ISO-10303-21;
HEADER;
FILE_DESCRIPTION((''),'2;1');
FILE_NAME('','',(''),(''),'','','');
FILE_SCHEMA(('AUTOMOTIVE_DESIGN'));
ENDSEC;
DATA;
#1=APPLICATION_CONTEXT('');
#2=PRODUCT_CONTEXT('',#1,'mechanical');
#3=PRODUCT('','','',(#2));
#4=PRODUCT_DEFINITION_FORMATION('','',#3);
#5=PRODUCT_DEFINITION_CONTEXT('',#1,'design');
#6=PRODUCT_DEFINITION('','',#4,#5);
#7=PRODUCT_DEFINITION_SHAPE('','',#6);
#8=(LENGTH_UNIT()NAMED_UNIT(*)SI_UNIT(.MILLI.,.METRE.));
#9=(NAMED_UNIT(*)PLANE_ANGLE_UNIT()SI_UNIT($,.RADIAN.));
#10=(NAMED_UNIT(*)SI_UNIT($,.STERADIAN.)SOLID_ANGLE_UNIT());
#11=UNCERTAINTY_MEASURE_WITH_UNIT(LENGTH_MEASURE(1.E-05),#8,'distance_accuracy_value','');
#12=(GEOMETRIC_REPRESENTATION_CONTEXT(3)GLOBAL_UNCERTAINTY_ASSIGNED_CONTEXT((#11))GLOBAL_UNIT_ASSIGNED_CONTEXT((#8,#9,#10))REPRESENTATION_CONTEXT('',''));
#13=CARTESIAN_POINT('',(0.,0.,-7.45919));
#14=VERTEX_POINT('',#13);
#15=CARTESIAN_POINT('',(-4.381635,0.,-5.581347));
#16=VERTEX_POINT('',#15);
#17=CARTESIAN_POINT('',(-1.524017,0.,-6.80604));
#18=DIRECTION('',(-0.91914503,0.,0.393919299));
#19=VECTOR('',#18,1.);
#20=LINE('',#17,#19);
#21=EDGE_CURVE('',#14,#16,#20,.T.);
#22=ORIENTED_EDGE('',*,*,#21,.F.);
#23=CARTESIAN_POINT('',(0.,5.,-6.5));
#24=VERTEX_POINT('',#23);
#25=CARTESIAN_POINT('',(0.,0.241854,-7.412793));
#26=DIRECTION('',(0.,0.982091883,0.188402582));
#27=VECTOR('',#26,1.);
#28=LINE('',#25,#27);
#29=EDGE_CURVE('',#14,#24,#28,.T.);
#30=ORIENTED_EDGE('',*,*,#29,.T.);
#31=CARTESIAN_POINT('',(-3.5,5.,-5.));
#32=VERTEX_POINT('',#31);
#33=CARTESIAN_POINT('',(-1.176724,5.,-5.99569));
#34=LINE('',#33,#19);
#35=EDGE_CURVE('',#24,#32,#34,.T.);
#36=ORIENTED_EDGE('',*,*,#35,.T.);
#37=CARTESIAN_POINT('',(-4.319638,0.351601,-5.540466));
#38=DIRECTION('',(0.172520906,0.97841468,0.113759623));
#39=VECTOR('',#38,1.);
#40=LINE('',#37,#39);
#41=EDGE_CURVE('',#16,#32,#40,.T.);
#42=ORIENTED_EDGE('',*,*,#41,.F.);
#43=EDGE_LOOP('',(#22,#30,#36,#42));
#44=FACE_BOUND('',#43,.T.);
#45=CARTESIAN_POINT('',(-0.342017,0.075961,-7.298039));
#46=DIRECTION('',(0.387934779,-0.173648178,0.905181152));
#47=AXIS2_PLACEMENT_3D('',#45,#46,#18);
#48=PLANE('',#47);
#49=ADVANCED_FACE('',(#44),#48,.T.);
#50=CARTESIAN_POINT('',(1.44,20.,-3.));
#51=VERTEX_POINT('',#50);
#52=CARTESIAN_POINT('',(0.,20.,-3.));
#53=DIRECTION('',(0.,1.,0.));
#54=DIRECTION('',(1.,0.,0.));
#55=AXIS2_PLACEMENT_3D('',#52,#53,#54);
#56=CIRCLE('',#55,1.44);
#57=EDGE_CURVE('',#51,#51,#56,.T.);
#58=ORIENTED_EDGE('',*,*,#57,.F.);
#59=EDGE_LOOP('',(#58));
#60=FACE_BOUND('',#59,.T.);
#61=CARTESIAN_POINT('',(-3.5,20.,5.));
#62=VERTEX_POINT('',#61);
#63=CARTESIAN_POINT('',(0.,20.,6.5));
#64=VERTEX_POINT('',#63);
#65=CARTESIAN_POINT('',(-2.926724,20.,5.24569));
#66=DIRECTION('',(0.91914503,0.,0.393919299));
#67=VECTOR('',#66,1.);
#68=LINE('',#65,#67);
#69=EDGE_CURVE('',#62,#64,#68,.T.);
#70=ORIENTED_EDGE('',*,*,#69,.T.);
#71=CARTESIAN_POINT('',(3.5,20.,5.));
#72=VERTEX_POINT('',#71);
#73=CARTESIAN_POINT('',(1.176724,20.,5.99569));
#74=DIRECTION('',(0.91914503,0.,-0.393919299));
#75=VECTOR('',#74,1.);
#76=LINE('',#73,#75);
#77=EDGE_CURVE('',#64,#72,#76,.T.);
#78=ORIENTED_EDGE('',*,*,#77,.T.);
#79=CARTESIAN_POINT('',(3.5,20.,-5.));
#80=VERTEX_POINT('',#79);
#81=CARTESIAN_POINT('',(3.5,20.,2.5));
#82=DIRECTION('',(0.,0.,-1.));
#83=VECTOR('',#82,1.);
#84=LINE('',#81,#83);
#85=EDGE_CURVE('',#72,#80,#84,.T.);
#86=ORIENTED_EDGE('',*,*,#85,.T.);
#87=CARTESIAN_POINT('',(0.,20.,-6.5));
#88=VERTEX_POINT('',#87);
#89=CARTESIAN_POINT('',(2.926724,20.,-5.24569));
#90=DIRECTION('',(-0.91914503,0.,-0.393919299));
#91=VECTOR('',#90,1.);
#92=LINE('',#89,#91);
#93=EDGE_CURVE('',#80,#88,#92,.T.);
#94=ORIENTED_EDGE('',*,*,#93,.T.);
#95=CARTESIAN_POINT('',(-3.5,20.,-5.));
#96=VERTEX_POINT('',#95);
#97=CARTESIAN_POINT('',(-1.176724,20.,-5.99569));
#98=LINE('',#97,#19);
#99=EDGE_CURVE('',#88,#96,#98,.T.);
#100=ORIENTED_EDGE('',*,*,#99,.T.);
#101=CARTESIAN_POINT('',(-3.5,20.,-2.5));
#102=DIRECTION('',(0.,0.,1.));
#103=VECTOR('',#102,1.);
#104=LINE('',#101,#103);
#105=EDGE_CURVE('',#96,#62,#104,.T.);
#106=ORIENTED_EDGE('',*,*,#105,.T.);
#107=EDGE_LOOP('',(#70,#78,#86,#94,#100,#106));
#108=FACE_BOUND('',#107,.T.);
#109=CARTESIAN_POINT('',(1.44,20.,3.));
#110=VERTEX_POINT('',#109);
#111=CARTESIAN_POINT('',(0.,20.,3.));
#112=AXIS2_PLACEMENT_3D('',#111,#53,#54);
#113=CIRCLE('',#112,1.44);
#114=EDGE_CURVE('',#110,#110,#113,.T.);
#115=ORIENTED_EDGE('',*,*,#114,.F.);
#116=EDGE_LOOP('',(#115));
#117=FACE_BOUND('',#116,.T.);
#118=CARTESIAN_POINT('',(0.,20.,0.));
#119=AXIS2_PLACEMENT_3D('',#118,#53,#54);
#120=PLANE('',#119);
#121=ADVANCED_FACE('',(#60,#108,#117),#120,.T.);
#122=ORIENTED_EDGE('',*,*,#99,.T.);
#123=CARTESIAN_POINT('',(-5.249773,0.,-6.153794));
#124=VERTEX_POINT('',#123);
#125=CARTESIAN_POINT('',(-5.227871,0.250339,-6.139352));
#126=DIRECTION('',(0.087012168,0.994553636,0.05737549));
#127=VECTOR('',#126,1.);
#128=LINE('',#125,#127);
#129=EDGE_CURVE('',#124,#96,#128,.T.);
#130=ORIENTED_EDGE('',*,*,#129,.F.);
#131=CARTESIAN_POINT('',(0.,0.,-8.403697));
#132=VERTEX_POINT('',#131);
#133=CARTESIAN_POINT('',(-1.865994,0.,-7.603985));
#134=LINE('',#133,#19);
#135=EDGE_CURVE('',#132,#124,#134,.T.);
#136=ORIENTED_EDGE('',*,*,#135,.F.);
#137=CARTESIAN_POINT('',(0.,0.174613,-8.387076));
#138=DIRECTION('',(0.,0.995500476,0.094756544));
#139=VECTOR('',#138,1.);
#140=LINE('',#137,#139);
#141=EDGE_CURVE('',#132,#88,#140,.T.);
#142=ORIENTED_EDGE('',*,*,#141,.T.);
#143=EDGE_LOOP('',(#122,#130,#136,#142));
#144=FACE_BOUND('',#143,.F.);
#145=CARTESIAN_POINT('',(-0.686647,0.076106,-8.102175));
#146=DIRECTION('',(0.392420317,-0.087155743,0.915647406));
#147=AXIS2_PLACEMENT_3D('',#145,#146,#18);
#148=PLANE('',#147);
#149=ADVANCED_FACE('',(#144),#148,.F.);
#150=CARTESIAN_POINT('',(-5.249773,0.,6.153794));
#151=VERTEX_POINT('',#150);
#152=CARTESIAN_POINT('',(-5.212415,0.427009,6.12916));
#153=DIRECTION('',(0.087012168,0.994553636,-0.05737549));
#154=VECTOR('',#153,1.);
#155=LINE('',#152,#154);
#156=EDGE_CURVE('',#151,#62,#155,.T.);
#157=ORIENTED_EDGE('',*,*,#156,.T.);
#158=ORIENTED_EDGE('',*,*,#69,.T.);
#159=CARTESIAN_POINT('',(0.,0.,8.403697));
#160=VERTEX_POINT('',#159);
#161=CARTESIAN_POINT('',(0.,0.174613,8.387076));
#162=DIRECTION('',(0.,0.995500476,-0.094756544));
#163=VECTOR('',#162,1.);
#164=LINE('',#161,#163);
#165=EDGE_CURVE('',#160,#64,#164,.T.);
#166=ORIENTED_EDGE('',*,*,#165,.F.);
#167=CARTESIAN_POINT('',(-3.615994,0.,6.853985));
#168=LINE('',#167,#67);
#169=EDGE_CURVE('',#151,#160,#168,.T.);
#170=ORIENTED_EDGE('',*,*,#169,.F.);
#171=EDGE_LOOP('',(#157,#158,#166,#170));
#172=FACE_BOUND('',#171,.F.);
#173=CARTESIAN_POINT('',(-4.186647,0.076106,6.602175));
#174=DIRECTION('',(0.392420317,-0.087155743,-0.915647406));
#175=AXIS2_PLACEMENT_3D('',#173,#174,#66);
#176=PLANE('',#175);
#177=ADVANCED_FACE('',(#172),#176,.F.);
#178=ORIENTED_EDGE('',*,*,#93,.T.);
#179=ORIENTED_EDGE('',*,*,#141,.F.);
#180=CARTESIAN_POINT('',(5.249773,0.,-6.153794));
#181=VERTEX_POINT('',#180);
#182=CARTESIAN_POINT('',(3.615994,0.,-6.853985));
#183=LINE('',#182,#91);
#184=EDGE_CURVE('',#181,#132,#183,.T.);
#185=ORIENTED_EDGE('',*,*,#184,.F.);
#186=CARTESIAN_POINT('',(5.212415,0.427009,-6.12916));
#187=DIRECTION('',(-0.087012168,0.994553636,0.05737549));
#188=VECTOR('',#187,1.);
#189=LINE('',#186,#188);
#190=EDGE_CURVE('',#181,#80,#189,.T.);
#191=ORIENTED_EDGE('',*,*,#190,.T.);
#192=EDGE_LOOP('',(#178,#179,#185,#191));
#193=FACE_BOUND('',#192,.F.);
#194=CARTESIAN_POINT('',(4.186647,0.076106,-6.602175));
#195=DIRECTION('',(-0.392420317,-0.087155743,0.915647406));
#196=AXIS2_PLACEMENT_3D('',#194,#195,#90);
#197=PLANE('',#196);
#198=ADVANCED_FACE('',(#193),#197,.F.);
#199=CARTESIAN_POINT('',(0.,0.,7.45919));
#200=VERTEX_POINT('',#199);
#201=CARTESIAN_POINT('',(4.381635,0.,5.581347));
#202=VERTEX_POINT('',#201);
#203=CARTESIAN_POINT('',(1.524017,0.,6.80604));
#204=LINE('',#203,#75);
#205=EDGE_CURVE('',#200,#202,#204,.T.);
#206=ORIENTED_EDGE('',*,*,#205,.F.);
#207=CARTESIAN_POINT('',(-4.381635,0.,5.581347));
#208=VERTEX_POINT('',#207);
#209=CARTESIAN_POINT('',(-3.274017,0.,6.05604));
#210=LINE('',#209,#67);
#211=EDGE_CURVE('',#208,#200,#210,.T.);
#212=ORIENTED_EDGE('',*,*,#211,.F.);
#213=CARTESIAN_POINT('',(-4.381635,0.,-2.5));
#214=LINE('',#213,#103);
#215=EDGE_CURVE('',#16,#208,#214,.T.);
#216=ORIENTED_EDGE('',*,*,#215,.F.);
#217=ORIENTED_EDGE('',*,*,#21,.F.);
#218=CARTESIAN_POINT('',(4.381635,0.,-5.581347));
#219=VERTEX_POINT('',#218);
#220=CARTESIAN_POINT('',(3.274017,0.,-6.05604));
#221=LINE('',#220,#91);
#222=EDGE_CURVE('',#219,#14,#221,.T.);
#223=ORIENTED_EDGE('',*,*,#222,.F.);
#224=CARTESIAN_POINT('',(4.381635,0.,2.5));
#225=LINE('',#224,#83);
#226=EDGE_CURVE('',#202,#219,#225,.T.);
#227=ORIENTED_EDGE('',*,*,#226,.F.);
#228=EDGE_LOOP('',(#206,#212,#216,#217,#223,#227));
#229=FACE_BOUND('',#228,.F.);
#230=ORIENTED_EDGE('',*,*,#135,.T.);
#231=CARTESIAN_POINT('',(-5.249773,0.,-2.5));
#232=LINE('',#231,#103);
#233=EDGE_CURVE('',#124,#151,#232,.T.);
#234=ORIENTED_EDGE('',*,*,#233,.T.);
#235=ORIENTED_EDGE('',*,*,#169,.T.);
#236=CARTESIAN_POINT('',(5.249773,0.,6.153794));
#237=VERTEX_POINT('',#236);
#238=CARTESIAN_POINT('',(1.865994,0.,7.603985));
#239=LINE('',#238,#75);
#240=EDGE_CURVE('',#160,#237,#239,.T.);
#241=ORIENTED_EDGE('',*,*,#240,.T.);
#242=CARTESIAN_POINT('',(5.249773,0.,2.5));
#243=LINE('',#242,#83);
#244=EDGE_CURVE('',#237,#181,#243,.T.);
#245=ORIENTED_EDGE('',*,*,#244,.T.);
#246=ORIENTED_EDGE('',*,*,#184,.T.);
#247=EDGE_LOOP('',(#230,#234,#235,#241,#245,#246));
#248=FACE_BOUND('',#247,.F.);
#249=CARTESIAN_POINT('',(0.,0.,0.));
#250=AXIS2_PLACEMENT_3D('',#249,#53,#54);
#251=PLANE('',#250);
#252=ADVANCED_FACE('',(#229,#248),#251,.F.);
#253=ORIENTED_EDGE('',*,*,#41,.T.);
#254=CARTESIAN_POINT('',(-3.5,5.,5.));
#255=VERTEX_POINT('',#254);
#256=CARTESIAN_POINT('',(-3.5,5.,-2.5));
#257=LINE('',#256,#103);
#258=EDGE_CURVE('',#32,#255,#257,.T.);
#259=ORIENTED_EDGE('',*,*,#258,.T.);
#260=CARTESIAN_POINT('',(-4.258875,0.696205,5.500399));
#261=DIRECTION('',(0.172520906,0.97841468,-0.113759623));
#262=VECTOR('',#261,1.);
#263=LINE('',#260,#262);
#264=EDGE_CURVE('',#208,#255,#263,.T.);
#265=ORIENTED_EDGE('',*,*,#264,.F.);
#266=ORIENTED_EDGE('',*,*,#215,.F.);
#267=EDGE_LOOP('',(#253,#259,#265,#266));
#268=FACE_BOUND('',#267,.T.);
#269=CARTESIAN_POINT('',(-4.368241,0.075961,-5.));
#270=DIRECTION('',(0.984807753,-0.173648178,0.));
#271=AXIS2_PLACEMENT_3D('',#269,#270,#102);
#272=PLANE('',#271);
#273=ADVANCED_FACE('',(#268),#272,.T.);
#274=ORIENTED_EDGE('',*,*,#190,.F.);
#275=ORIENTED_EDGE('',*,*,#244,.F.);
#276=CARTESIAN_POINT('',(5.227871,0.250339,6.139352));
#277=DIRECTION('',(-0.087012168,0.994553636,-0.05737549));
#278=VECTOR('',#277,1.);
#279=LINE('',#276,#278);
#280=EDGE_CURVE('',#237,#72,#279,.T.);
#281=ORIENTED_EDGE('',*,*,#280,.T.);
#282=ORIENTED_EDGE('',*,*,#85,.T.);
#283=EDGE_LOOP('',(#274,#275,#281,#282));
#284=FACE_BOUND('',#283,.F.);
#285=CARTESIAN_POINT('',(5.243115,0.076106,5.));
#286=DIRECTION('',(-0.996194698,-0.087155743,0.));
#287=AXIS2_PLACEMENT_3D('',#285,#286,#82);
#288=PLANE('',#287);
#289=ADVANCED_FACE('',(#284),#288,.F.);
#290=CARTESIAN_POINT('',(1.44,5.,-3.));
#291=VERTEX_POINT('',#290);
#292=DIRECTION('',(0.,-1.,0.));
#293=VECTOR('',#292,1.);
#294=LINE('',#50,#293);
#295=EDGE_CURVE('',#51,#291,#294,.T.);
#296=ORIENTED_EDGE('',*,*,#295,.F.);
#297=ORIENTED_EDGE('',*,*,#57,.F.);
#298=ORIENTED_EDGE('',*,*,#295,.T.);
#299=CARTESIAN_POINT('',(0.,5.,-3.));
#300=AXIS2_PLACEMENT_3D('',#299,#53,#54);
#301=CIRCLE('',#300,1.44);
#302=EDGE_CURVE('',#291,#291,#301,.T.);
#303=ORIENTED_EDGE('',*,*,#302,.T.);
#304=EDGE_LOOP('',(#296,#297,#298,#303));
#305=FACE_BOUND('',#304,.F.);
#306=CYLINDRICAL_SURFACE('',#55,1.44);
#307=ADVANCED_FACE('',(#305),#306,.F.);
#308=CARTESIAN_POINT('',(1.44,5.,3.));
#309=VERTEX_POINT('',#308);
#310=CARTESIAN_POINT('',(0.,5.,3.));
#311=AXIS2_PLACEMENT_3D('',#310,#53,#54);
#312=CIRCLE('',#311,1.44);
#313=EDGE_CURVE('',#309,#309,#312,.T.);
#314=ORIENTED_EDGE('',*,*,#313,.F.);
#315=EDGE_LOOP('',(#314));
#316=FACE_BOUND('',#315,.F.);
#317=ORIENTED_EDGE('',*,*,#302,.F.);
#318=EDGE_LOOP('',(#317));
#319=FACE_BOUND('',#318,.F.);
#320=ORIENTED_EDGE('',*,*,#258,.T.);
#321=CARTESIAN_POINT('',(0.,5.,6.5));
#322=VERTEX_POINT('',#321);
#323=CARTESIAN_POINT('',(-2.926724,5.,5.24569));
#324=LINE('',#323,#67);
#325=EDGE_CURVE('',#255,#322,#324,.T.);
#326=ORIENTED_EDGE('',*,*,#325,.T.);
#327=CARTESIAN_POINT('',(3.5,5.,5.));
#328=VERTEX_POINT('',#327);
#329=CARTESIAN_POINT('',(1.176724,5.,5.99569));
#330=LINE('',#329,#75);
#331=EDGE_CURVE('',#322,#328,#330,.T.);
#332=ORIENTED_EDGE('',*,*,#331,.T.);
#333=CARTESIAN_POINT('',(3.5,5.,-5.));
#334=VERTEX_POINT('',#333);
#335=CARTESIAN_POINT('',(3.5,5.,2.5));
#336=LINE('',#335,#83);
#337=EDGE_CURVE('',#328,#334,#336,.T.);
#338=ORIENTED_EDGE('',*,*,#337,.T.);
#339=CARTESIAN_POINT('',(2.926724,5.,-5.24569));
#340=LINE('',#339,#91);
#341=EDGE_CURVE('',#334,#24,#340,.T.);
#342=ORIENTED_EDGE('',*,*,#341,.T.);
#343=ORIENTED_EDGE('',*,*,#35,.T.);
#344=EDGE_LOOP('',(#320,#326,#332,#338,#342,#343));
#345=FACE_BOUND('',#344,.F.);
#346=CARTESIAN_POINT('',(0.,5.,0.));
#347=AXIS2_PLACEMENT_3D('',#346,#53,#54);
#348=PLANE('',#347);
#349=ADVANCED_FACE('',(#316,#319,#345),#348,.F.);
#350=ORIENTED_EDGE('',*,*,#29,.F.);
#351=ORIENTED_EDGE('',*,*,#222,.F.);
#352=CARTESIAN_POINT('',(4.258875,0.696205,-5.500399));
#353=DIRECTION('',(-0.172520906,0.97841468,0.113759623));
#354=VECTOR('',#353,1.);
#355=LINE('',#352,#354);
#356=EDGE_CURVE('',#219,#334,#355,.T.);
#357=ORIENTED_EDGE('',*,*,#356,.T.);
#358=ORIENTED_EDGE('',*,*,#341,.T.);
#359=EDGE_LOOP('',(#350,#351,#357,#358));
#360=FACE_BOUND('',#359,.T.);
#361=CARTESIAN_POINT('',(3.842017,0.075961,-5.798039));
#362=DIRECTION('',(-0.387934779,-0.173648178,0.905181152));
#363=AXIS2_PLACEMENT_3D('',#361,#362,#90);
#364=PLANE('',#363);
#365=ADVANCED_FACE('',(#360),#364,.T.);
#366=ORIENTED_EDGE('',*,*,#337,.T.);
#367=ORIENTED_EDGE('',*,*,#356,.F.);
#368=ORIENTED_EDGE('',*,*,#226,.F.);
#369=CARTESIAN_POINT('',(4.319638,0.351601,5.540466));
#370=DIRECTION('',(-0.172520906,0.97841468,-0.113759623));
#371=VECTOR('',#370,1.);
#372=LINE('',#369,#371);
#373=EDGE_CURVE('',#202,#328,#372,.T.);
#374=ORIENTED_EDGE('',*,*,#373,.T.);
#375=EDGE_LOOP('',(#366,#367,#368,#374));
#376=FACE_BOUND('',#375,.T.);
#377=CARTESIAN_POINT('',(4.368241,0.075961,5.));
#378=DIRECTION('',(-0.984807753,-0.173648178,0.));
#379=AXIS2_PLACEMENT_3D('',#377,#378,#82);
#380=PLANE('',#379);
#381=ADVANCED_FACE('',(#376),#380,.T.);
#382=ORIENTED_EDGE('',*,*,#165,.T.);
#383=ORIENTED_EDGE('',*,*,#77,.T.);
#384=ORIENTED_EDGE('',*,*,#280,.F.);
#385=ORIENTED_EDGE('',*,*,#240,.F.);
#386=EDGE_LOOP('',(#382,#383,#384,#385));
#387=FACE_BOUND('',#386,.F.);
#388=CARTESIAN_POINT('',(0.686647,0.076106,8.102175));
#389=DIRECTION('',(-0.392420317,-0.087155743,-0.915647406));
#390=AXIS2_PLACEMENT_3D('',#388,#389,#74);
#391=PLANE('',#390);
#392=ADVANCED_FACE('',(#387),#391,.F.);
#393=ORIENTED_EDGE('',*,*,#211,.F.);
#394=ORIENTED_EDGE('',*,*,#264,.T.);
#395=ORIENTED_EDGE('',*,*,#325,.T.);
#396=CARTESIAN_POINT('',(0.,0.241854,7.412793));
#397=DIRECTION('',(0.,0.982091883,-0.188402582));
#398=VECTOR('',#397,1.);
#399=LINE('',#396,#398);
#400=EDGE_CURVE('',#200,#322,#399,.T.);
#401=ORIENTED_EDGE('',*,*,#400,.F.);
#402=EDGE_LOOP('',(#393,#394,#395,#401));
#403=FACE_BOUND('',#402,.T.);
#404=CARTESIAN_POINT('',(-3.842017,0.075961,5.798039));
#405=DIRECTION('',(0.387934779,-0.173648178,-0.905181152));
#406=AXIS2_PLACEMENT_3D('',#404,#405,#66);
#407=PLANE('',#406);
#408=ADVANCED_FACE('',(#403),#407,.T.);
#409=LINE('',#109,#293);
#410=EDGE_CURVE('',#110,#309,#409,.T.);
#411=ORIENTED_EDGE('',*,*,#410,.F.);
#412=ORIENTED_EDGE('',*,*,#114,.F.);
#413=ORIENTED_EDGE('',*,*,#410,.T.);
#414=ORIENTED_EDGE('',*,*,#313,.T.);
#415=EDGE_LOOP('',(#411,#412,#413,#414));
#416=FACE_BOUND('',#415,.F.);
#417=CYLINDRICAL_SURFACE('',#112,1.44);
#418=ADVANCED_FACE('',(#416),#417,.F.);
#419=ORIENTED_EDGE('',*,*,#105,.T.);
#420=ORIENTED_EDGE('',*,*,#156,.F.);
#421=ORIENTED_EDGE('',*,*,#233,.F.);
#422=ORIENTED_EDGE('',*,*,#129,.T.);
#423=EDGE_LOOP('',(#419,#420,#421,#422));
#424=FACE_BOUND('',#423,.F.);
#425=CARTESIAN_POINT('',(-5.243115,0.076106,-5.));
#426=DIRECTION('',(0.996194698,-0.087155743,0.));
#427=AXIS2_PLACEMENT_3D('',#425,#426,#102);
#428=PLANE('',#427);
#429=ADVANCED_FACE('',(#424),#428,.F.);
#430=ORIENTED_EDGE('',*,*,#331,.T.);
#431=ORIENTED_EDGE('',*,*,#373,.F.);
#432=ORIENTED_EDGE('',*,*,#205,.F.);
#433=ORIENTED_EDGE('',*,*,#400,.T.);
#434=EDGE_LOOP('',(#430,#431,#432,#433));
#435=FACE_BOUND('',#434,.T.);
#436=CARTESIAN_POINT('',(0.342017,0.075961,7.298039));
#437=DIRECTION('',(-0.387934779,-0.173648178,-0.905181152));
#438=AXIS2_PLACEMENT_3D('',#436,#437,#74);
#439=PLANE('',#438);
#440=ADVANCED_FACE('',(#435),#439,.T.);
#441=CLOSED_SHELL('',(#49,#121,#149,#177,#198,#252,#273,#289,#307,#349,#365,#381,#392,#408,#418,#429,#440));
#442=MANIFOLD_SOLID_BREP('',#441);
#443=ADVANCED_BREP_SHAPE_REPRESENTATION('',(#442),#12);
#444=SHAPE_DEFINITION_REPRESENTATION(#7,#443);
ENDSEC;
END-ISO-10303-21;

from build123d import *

# Parameters (mm, degrees)
BOSS_EXTRUDE1_DEPTH = 20
SKETCH2_R           = 1.44
CUT_EXTRUDE1_DEPTH  = 21
DRAFT1_ANGLE        = 5
CUT_EXTRUDE2_DEPTH  = 5
DRAFT2_ANGLE        = 10


with BuildPart() as part:
    # Sketch1 → Boss-Extrude1 (new body)
    with BuildSketch(Plane(origin=(0, 0, 0), x_dir=(1, 0, 0), z_dir=(0, 1, 0))):
        Polygon((3.5, -5), (3.5, 5), (0, 6.5), (-3.5, 5), (-3.5, -5), (0, -6.5), align=None)
    extrude(amount=BOSS_EXTRUDE1_DEPTH)

    # Sketch2 → Cut-Extrude1 (cut, through all)
    with BuildSketch(Plane(origin=(0, 20, 0), x_dir=(1, 0, 0), z_dir=(0, 1, 0))):
        with Locations((0, 3)):
            Circle(SKETCH2_R)
        with Locations((0, -3)):
            Circle(SKETCH2_R)
    extrude(amount=-CUT_EXTRUDE1_DEPTH, mode=Mode.SUBTRACT)

    # Draft1
    draft1_faces = [part.faces().sort_by_distance(p)[0] for p in [
        (-3.5, 10, 0),
        (-1.75, 10, -5.75),
        (1.75, 10, -5.75),
        (3.5, 10, 0),
        (1.75, 10, 5.75),
        (-1.75, 10, 5.75),
    ]]
    draft(draft1_faces, Plane.ZX.offset(20), DRAFT1_ANGLE)

    # Sketch1<2> → Cut-Extrude2 (cut)
    with BuildSketch(Plane(origin=(0, 0, 0), x_dir=(1, 0, 0), z_dir=(0, 1, 0))):
        Polygon((3.5, -5), (3.5, 5), (0, 6.5), (-3.5, 5), (-3.5, -5), (0, -6.5), align=None)
    extrude(amount=CUT_EXTRUDE2_DEPTH, mode=Mode.SUBTRACT)

    # Draft2
    draft2_faces = [part.faces().sort_by_distance(p)[0] for p in [
        (-3.5, 2.5, 0),
        (-1.75, 2.5, 5.75),
        (1.75, 2.5, 5.75),
        (3.5, 2.5, 0),
        (1.75, 2.5, -5.75),
        (-1.75, 2.5, -5.75),
    ]]
    draft(draft2_faces, Plane(origin=(0, 5, 0), x_dir=(0, 0, -1), z_dir=(0, -1, 0)), DRAFT2_ANGLE)


solid = part.part
